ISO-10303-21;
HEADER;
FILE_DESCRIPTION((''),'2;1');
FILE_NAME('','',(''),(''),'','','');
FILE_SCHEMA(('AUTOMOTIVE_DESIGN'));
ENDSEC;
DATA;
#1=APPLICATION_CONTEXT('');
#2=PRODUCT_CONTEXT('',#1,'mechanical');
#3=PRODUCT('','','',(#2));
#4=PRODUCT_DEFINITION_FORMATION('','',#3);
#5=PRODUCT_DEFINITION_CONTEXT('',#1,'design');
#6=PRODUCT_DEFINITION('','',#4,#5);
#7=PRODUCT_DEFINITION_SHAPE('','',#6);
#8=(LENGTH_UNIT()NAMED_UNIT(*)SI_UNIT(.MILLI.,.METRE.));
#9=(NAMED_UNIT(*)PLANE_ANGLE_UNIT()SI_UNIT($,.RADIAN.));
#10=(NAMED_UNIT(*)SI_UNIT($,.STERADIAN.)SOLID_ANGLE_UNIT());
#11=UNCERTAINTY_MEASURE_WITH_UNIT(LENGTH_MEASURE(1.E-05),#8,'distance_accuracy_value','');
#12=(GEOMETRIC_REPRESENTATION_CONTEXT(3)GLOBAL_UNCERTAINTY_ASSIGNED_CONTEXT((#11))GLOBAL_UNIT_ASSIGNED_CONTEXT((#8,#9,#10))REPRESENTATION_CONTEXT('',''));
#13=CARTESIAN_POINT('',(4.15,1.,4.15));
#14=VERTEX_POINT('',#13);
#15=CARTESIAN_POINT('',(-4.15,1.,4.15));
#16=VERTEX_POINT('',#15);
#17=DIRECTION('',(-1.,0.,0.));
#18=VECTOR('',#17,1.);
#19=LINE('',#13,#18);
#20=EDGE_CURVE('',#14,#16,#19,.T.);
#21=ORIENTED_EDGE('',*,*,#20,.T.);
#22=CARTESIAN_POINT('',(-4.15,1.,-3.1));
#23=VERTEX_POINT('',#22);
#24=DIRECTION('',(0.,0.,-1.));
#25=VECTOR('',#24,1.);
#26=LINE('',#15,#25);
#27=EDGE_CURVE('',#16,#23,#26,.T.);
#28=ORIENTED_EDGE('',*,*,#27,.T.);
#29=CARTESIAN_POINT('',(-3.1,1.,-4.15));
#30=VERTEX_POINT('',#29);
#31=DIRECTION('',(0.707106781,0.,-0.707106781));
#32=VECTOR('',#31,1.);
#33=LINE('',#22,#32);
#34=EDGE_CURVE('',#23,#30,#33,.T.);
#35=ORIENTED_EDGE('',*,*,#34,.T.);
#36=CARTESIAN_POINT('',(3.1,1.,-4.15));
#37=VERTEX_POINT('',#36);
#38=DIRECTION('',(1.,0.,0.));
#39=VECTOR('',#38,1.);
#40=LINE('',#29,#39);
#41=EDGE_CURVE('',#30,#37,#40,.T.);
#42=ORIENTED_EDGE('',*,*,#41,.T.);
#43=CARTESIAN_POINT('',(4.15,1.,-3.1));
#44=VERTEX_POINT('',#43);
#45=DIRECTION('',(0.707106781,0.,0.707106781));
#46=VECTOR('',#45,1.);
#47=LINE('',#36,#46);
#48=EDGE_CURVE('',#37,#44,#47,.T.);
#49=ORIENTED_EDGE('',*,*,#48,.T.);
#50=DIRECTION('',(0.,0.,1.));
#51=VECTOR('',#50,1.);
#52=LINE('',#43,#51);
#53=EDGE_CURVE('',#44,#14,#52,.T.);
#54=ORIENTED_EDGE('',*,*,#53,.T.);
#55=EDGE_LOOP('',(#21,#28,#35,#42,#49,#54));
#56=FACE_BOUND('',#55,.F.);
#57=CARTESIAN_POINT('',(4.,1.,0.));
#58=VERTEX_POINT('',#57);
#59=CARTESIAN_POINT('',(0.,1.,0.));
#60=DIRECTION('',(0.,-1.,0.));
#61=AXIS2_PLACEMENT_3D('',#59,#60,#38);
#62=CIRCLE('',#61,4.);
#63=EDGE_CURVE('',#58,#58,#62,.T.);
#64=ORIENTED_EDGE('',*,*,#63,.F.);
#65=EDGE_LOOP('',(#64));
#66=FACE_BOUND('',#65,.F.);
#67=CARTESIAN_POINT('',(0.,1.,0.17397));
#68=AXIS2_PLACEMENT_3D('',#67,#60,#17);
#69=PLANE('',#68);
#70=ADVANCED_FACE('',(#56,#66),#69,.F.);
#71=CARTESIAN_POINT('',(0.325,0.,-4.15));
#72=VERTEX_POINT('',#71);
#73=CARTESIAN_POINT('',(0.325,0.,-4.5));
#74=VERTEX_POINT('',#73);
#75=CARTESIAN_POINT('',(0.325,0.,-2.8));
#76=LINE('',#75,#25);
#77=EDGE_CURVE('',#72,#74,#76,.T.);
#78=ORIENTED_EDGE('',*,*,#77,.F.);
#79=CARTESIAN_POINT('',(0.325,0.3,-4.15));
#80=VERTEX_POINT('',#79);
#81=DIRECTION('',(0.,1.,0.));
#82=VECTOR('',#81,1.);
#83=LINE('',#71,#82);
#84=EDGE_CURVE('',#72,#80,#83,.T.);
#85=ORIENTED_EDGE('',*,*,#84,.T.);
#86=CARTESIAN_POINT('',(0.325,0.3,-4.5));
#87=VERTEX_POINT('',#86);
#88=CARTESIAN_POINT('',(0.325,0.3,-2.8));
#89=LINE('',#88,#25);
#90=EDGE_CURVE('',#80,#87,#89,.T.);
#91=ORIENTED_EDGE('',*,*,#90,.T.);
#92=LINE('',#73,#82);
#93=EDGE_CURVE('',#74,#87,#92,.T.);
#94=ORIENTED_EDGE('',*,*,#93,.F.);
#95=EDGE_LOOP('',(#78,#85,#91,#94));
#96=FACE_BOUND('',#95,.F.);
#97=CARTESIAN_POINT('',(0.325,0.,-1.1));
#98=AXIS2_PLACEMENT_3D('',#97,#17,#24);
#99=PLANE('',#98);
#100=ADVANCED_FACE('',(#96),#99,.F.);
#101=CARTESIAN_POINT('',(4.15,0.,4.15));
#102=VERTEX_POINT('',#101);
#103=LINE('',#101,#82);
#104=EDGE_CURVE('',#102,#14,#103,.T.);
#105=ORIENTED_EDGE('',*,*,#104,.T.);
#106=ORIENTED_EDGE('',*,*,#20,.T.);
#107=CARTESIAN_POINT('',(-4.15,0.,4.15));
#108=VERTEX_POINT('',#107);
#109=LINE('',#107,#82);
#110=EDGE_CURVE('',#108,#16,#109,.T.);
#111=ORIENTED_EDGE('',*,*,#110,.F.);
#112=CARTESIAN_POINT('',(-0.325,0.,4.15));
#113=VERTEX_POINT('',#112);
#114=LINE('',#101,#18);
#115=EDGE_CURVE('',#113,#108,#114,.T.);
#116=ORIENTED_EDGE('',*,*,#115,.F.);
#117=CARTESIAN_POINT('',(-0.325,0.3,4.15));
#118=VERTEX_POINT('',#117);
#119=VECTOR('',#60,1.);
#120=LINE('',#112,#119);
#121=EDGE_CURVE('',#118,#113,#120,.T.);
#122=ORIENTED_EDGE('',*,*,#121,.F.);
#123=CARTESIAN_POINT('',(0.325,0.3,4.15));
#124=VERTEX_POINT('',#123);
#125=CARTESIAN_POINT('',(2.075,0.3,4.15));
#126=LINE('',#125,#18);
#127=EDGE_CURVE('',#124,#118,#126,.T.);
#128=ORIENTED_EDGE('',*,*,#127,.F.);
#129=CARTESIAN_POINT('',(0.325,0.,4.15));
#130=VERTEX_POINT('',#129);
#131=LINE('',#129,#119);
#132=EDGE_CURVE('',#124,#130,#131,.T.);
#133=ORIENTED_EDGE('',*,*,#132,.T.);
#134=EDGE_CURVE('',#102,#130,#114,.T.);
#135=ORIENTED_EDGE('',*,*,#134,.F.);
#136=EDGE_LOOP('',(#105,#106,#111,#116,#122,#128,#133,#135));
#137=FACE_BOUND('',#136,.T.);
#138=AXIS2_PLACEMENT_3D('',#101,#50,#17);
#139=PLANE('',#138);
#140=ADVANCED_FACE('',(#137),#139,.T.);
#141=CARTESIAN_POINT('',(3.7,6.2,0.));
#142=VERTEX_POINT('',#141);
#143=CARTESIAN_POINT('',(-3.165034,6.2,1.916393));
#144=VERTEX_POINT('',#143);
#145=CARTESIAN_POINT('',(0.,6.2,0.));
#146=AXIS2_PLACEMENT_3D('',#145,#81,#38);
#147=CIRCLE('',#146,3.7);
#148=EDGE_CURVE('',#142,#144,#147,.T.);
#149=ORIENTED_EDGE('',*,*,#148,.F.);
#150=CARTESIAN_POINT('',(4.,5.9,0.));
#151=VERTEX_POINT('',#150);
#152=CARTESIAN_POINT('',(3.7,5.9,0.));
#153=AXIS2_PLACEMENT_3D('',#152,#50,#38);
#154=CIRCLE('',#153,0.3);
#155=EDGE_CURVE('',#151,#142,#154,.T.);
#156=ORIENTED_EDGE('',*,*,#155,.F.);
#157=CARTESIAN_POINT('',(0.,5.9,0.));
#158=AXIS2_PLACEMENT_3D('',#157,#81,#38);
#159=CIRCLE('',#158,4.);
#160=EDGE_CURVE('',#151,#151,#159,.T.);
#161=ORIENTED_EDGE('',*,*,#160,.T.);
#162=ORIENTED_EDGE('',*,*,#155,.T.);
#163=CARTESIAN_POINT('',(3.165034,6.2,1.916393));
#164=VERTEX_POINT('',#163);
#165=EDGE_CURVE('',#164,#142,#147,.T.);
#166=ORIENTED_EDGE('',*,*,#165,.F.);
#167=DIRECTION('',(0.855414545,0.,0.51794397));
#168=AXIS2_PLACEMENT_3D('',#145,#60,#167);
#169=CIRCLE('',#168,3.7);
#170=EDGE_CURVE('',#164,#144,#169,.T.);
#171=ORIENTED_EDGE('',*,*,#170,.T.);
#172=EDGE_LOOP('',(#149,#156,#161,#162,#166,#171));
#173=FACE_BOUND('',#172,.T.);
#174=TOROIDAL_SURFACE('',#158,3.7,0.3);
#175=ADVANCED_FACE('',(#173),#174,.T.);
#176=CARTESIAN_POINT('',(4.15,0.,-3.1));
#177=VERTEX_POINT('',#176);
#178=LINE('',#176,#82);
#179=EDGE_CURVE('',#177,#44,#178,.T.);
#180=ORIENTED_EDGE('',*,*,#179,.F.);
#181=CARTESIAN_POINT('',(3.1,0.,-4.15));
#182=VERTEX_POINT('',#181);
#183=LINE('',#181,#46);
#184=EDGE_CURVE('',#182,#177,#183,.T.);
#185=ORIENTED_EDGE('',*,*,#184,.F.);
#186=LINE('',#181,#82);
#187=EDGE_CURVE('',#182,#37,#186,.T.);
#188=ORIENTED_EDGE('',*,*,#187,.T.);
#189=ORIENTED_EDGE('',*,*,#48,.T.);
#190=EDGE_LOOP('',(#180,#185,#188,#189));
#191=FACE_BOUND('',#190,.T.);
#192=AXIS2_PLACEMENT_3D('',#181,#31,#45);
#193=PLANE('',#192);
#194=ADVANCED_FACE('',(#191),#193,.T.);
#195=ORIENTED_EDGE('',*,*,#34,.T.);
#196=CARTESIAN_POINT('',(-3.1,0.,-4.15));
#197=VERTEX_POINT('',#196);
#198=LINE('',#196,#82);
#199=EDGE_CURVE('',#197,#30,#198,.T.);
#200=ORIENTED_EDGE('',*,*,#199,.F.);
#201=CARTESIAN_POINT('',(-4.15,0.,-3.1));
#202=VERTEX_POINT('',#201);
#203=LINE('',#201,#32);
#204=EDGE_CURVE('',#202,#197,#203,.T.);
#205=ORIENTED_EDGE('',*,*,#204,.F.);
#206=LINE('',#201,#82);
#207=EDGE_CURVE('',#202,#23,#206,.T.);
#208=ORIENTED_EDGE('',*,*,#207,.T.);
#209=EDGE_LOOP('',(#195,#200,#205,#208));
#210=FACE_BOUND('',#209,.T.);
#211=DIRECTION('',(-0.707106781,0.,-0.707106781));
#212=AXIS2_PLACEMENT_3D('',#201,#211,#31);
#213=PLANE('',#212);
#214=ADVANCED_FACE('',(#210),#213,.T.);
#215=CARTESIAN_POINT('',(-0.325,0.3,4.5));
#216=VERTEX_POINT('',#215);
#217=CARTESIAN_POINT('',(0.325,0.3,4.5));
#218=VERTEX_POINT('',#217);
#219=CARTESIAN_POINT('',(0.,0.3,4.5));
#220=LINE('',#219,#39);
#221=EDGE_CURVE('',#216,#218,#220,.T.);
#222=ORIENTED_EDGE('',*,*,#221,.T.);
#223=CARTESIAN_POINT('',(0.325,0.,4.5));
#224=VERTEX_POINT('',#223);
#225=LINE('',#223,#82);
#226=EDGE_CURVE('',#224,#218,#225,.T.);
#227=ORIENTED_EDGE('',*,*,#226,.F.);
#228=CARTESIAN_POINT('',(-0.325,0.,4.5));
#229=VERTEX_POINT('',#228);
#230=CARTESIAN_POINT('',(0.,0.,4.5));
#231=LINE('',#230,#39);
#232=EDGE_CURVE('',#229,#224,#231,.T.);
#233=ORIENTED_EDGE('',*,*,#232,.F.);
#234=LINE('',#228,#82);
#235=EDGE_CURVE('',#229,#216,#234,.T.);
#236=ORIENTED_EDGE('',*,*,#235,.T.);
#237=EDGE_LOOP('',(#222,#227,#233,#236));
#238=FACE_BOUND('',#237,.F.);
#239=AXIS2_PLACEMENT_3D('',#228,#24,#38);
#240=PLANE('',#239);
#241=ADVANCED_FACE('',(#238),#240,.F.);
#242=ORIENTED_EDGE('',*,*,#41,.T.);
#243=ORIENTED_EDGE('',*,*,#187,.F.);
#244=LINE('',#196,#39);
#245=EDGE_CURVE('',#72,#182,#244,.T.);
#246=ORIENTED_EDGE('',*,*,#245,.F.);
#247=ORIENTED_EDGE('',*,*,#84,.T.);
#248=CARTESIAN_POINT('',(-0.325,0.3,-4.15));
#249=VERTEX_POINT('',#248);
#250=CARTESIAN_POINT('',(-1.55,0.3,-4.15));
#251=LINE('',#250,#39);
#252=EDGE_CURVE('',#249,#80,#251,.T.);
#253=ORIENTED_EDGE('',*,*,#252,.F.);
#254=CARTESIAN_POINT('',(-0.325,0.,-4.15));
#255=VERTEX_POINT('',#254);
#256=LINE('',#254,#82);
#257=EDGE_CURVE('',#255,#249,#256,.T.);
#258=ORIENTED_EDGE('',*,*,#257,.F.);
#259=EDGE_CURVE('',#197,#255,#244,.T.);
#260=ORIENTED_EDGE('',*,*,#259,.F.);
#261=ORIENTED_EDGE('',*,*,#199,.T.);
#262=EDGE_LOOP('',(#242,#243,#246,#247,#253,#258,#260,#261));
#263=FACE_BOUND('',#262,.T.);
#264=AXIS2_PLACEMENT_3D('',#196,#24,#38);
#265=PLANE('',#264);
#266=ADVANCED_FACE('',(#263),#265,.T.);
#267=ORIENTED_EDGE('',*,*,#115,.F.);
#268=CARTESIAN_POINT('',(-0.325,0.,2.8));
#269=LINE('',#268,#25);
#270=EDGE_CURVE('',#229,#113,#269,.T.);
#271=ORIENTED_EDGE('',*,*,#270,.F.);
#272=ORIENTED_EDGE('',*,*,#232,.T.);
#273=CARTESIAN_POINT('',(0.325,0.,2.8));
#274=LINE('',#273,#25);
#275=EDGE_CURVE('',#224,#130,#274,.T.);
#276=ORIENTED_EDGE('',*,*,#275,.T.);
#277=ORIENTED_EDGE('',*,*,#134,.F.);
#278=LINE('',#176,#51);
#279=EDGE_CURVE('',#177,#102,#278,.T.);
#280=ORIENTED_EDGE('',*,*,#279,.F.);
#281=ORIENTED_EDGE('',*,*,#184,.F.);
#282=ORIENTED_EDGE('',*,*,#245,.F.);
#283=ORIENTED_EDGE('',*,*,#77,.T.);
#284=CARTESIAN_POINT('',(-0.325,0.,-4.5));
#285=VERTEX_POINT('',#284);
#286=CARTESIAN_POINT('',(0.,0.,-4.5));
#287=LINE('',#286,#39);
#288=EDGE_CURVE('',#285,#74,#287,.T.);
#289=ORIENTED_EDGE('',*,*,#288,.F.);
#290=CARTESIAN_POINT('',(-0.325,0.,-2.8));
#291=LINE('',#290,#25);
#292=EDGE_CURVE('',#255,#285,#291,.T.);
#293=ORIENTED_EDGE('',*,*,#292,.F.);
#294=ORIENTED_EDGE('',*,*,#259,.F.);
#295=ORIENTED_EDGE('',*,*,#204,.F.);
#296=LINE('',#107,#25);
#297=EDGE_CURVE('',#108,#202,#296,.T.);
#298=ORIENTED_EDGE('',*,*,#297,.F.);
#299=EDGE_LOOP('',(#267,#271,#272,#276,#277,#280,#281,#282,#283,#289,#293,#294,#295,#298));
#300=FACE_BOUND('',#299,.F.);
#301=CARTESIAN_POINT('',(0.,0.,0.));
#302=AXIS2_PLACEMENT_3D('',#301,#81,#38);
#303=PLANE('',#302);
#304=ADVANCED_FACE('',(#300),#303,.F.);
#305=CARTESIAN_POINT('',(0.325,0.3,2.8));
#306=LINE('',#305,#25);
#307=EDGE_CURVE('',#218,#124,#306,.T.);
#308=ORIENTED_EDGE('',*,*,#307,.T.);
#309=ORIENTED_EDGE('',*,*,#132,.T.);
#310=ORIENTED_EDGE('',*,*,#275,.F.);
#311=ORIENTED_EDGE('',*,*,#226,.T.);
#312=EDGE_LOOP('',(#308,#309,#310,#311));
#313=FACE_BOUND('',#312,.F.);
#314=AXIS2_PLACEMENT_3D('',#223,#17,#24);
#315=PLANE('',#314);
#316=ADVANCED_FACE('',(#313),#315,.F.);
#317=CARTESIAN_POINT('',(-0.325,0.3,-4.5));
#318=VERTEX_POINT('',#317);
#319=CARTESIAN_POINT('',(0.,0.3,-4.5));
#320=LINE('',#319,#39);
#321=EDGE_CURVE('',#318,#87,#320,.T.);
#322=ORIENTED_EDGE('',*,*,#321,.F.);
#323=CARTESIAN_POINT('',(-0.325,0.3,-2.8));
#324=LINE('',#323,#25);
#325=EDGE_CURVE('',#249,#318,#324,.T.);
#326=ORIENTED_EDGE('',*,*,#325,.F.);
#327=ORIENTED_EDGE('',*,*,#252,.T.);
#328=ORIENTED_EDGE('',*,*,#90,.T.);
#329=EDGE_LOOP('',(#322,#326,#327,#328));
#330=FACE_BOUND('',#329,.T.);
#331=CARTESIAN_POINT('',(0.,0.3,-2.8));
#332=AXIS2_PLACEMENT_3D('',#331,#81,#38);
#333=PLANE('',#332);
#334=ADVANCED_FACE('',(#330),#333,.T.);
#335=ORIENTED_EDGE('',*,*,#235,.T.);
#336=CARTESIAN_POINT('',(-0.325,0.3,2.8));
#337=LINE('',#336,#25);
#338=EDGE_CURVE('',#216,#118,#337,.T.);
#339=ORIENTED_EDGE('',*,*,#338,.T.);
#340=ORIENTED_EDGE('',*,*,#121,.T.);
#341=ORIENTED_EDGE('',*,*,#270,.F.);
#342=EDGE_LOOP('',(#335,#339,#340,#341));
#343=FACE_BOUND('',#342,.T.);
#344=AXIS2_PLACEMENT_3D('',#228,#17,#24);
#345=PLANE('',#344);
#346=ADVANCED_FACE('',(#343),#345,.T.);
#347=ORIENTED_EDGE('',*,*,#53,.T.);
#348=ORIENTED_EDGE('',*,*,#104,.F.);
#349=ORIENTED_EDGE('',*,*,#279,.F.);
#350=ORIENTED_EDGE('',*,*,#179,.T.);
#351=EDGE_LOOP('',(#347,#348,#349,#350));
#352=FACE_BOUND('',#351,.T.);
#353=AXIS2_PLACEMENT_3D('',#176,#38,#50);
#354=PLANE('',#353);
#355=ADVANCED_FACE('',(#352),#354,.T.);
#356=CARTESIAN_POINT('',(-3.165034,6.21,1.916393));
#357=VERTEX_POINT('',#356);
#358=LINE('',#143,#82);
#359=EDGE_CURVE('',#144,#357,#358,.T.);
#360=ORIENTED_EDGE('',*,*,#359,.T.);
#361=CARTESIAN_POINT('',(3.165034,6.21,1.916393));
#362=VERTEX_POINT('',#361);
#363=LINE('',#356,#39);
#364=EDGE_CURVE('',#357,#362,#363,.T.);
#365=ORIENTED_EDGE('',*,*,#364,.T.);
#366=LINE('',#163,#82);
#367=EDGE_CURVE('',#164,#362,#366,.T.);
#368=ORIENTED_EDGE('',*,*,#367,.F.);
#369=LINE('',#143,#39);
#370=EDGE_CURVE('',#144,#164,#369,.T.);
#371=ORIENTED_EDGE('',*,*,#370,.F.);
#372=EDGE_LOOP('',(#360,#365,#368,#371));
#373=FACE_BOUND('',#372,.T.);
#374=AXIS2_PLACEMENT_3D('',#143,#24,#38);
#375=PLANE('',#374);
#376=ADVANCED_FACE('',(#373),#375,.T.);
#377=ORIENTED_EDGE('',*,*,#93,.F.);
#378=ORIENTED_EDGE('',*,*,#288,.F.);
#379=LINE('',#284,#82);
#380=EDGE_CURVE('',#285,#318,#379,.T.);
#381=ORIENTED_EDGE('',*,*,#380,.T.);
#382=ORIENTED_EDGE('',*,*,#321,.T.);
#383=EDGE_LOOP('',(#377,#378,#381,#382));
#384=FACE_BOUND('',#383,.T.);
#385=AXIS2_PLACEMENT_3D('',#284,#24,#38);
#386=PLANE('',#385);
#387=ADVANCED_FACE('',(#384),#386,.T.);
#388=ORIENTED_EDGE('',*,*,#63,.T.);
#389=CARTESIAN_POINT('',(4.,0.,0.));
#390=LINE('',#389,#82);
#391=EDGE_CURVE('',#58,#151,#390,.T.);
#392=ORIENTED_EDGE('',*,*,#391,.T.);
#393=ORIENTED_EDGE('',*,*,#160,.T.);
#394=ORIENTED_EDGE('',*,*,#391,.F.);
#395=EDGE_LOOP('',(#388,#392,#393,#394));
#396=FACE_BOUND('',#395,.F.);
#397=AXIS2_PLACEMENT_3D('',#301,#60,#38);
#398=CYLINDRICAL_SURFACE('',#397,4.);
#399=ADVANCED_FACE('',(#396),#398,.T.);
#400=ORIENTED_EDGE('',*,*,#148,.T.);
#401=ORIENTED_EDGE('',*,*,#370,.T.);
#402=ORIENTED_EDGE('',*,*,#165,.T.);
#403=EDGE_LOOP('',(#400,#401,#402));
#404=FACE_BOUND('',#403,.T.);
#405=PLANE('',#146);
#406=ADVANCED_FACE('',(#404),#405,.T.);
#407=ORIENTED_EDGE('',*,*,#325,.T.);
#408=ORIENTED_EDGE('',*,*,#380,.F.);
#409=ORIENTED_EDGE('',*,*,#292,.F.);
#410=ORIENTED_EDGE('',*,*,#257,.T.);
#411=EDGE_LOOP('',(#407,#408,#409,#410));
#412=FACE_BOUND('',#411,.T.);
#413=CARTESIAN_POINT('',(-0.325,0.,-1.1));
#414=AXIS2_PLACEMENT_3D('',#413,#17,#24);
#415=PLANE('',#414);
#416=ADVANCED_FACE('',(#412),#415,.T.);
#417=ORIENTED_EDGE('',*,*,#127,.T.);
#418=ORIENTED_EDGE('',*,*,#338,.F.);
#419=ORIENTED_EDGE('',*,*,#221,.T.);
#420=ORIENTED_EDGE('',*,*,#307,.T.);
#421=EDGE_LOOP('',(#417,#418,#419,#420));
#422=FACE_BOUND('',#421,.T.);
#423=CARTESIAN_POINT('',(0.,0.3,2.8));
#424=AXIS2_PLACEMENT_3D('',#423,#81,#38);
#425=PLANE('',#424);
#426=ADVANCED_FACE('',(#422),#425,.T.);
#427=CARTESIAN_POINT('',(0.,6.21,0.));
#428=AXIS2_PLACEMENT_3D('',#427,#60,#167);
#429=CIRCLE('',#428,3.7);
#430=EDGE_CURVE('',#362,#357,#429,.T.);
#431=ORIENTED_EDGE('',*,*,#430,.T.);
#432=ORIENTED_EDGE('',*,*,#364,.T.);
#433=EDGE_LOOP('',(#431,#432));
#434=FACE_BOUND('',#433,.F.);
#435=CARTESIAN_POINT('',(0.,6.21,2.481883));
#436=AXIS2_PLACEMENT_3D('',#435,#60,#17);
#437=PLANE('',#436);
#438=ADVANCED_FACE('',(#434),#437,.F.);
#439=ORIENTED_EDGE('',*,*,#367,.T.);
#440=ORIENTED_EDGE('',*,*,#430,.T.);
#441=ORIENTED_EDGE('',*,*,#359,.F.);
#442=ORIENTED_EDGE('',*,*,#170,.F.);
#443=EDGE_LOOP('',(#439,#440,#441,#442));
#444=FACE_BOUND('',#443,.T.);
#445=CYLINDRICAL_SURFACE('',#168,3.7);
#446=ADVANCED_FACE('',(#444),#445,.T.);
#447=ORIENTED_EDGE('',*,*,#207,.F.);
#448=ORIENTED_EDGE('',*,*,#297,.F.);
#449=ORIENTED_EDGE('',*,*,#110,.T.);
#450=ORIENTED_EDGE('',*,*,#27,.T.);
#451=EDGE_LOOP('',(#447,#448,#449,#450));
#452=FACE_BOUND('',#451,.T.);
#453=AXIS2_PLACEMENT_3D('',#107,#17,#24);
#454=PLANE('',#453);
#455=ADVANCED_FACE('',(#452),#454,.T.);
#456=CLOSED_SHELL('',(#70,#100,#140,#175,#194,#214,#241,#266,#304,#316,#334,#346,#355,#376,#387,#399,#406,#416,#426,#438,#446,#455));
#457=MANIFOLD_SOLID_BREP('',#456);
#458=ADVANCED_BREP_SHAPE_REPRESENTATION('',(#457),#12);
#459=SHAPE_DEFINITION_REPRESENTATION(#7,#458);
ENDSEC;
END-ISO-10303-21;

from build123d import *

# Parameters (mm, degrees)
BOSS_EXTRUDE1_DEPTH = 1
SKETCH3_R           = 4
BOSS_EXTRUDE2_DEPTH = 6.2
FILLET1_R           = 0.3
SKETCH4_W           = 0.65
SKETCH4_H           = 3.4
BOSS_EXTRUDE3_DEPTH = 0.3
BOSS_EXTRUDE4_DEPTH = 0.01


with BuildPart() as part:
    # Sketch2 → Boss-Extrude1 (new body)
    with BuildSketch(Plane(origin=(0, 0, 0), x_dir=(1, 0, 0), z_dir=(0, 1, 0))):
        Polygon((4.15, -4.15), (-4.15, -4.15), (-4.15, 3.1), (-3.1, 4.15), (3.1, 4.15), (4.15, 3.1), align=None)
    extrude(amount=BOSS_EXTRUDE1_DEPTH)

    # Sketch3 → Boss-Extrude2 (add)
    with BuildSketch(Plane(origin=(0, 0, 0), x_dir=(1, 0, 0), z_dir=(0, 1, 0))):
        Circle(SKETCH3_R)
    extrude(amount=BOSS_EXTRUDE2_DEPTH)

    # Fillet1
    fillet1_edges = [part.edges().sort_by_distance(p)[0] for p in [
        (-4, 6.2, 0),
    ]]
    fillet(fillet1_edges, radius=FILLET1_R)

    # Sketch4 → Boss-Extrude3 (add)
    with BuildSketch(Plane(origin=(0, 0, 0), x_dir=(1, 0, 0), z_dir=(0, 1, 0))):
        with Locations((0, 2.8)):
            Rectangle(SKETCH4_W, SKETCH4_H)
        with Locations((0, -2.8)):
            Rectangle(SKETCH4_W, SKETCH4_H)
    extrude(amount=BOSS_EXTRUDE3_DEPTH)

    # Sketch5 → Boss-Extrude4 (add)
    with BuildSketch(Plane(origin=(0, 6.2, 0), x_dir=(1, 0, 0), z_dir=(0, 1, 0))):
        with BuildLine():
            Line((-3.165033817, -1.916392689), (3.165033817, -1.916392689))
            ThreePointArc((3.165033817, -1.916392689), (0, -3.7), (-3.165033817, -1.916392689))
        make_face()
    extrude(amount=BOSS_EXTRUDE4_DEPTH)


solid = part.part
